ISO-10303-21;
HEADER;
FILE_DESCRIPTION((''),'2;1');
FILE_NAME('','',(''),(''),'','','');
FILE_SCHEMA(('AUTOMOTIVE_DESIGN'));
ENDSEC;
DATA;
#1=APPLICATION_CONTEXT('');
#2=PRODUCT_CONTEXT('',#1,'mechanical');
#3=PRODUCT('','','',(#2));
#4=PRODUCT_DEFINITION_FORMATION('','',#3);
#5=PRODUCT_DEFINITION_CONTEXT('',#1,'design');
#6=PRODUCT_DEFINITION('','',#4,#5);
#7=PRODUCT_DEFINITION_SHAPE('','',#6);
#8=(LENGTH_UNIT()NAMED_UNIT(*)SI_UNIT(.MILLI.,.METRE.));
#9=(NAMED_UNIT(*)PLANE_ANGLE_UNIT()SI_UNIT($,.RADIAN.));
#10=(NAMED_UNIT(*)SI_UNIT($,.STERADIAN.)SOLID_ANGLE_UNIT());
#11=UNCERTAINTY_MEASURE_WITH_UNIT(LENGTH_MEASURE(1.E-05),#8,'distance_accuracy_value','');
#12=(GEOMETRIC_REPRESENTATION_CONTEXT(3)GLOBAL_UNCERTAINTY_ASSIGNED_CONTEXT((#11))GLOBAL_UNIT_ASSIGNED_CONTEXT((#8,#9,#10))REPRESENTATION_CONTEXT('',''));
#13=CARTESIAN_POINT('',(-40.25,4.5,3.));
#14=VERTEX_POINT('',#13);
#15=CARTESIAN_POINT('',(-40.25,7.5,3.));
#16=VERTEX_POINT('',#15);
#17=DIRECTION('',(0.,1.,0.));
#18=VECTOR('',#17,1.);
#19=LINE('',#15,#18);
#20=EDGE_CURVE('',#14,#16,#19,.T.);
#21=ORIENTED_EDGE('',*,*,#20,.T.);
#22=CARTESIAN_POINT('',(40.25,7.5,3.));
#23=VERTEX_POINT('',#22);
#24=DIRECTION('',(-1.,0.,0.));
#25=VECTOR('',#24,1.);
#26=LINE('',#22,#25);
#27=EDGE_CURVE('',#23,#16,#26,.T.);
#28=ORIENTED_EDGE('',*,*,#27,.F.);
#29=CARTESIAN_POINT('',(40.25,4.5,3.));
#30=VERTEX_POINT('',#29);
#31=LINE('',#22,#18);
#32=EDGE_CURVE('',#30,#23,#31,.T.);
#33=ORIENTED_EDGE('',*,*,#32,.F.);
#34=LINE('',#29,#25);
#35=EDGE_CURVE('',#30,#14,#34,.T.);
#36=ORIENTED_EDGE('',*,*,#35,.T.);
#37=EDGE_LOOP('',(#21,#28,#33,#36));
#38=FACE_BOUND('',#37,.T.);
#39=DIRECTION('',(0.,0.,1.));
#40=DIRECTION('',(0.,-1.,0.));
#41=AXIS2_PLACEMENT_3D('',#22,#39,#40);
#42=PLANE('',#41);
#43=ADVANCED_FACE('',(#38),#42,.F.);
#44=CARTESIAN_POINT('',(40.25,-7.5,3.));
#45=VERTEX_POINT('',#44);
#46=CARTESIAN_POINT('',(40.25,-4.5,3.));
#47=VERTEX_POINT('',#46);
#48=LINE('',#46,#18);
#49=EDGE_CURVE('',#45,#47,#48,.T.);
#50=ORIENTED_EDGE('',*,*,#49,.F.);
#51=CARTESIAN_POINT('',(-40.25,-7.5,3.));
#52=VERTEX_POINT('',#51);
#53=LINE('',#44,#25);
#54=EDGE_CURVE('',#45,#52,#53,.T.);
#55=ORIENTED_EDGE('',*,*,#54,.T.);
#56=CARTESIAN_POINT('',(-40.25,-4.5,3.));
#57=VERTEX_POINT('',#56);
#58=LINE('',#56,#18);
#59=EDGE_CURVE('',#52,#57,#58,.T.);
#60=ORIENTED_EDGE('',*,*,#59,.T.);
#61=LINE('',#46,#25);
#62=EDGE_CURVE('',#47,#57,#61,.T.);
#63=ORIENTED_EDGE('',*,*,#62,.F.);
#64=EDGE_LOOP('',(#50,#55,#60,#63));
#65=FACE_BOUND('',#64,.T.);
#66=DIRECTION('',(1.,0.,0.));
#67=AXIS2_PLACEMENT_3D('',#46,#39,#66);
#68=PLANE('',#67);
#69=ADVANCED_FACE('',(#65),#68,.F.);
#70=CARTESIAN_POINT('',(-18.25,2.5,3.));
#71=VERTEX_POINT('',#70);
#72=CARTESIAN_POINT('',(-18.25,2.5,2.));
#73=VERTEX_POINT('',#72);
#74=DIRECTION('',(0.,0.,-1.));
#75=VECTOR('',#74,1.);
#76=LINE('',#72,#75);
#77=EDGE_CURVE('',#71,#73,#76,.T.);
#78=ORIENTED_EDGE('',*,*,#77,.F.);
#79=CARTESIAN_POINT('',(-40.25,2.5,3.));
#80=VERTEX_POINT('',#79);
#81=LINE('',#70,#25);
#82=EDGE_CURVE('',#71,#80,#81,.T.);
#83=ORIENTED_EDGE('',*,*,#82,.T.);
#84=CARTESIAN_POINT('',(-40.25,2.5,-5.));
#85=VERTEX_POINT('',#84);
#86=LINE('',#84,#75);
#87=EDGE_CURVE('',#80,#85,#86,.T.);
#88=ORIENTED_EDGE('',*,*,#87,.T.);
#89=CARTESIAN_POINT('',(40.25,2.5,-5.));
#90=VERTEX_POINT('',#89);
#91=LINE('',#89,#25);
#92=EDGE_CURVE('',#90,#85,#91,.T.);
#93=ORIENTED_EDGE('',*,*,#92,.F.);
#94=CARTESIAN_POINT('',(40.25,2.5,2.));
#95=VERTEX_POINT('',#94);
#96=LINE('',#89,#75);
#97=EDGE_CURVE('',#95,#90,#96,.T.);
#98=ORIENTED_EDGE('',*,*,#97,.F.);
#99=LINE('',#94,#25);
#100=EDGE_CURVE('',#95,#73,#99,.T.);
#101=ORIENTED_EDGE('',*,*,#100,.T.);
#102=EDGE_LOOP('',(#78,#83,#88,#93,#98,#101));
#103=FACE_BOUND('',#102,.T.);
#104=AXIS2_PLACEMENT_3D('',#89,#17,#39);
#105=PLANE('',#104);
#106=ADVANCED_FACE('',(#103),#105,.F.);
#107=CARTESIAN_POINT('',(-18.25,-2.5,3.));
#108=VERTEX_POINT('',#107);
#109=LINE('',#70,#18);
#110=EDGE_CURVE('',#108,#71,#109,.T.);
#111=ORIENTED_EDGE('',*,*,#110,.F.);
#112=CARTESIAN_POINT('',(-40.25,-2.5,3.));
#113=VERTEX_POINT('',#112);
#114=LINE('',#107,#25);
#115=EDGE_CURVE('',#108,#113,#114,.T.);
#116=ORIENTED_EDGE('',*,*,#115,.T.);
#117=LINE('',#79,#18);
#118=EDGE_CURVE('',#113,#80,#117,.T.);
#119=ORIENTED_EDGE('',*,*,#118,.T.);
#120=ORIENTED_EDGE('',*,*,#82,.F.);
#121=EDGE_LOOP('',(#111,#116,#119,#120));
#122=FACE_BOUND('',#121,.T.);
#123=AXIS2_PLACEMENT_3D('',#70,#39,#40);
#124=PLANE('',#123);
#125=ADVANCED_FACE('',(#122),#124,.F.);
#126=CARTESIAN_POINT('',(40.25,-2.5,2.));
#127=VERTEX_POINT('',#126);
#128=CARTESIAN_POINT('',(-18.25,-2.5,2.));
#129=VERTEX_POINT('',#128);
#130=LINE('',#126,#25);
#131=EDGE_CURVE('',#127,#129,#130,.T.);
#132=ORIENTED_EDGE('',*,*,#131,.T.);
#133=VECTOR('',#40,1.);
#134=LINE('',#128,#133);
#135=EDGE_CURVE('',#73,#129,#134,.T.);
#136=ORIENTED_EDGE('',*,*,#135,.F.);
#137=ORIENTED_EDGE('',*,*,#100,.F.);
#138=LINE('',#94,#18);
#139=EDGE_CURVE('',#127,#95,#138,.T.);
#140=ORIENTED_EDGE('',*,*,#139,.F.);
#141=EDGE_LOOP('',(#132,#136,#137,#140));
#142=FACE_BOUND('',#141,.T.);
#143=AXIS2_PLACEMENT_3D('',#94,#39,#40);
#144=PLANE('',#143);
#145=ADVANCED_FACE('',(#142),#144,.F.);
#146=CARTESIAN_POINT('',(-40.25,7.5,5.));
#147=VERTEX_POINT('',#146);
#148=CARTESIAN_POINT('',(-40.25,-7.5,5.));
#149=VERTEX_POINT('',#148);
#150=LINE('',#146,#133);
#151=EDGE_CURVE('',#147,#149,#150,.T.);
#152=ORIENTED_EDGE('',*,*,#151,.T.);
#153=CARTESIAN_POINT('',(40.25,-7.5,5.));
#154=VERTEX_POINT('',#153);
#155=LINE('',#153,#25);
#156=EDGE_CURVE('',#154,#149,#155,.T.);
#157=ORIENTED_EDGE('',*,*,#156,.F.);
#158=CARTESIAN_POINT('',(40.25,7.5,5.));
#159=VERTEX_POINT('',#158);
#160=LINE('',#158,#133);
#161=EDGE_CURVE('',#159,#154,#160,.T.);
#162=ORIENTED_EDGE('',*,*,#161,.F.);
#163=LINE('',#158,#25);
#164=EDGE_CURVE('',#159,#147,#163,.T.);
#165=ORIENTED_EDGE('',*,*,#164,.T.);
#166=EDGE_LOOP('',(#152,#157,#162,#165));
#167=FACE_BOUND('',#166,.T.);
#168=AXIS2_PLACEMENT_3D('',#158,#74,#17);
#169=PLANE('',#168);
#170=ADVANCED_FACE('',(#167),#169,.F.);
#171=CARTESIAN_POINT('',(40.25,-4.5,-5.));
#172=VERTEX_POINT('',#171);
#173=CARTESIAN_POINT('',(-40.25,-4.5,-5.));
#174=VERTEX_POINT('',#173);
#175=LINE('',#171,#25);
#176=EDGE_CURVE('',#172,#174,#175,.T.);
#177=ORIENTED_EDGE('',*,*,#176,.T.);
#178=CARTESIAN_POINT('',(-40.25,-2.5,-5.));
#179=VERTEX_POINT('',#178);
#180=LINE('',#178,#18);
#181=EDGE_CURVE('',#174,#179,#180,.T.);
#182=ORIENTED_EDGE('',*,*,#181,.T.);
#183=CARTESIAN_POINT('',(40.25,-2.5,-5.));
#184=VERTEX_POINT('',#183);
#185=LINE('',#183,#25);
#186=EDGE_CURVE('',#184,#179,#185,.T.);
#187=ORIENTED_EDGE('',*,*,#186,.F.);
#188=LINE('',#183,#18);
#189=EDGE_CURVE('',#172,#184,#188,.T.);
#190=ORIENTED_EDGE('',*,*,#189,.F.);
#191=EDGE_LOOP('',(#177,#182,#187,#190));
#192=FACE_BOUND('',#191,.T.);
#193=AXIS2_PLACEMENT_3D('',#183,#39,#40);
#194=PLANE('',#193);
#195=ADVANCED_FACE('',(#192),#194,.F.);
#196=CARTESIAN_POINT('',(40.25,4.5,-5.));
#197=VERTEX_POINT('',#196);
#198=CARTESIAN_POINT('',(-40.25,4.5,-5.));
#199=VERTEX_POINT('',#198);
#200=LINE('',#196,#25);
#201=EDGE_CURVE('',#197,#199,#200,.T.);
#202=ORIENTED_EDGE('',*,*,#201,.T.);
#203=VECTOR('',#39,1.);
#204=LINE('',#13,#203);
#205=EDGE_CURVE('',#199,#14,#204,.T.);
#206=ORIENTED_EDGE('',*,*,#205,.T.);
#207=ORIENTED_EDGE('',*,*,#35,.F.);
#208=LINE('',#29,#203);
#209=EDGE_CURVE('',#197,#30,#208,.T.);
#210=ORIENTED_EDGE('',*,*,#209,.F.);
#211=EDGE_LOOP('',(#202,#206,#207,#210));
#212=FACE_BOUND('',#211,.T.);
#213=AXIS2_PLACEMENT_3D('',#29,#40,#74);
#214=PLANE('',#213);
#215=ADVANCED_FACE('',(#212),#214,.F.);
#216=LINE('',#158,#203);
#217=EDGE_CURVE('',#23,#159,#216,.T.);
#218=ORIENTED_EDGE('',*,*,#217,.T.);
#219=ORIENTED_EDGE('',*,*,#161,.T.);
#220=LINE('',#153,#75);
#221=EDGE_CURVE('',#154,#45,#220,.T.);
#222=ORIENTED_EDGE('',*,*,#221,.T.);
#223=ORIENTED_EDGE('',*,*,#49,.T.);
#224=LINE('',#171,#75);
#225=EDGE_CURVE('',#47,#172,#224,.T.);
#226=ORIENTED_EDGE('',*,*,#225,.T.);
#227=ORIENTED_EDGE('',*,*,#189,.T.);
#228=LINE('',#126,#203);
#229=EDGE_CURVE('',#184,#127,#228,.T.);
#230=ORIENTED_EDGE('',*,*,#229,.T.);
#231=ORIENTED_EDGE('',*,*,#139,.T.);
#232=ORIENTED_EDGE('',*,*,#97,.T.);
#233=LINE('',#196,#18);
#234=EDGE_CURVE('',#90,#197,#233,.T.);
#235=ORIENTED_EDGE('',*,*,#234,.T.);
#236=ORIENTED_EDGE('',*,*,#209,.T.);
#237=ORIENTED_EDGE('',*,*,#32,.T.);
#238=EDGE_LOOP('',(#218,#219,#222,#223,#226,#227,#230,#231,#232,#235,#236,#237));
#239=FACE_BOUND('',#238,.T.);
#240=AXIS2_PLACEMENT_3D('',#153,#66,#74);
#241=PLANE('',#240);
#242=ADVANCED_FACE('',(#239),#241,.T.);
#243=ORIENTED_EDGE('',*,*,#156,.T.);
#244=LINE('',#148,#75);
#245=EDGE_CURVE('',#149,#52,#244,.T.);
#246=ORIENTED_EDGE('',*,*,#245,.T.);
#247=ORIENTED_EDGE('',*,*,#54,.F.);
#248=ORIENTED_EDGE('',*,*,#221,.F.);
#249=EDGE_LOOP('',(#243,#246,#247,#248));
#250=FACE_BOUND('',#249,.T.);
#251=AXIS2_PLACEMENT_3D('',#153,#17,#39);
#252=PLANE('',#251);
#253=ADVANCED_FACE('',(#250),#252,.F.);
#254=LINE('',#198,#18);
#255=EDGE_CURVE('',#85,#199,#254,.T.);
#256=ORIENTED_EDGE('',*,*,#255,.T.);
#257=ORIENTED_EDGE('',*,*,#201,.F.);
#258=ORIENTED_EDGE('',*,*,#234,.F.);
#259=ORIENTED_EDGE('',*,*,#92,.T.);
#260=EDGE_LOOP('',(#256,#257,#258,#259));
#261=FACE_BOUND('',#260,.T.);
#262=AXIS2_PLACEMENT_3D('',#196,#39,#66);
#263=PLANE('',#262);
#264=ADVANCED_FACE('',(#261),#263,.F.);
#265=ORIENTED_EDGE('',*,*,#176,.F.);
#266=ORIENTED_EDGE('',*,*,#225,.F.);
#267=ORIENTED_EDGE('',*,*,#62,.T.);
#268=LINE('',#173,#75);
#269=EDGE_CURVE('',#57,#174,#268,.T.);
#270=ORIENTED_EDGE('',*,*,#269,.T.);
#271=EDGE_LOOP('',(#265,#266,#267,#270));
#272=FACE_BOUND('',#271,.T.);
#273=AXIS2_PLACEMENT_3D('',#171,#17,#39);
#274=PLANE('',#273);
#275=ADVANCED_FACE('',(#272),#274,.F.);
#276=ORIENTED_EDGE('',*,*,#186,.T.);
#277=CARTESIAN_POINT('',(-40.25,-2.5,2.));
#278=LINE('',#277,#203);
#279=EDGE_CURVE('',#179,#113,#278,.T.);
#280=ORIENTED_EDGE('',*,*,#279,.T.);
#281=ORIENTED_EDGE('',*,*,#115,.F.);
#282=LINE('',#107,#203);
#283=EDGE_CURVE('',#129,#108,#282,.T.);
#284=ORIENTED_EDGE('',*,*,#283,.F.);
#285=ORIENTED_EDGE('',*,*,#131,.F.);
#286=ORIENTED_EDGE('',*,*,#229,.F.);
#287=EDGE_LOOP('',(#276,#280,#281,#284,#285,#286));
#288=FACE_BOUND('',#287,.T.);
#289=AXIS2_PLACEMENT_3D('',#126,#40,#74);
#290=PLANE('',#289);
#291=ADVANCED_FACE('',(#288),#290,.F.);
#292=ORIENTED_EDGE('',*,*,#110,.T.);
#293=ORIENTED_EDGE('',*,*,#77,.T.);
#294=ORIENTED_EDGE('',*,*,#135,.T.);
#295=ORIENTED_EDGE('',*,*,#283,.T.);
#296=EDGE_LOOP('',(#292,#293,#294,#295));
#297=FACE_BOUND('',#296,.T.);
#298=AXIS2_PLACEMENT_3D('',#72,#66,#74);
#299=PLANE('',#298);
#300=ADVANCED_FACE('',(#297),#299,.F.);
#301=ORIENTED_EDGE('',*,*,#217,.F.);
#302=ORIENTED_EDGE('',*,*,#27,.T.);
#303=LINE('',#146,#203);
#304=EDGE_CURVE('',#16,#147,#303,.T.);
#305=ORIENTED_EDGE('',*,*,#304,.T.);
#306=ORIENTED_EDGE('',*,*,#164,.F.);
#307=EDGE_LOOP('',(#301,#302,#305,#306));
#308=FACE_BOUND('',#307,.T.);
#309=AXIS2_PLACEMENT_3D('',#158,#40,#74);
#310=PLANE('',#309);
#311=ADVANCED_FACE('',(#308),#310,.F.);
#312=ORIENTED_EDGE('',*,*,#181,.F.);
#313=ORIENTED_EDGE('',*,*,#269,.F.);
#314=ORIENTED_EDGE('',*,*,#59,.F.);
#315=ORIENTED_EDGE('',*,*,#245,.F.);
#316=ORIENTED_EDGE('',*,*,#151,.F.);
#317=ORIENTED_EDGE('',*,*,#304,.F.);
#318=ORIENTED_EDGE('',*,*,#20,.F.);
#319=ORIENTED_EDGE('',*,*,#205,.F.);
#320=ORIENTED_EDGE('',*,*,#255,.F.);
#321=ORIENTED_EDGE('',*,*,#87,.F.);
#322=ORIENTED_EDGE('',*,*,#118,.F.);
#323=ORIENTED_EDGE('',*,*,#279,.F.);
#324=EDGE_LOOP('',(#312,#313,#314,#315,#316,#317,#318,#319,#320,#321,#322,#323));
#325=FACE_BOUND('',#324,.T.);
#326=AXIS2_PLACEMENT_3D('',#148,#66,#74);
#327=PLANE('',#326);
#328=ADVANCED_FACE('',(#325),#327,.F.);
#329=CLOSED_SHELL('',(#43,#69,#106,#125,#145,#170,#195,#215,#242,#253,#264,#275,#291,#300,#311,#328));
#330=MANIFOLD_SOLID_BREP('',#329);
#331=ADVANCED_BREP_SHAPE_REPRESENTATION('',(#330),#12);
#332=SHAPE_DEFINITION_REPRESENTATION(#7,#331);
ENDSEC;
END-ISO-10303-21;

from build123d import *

# Parameters (mm, degrees)
EXTRUDE1_DEPTH = 40.25
SKETCH2_W      = 1
SKETCH2_H      = 5
EXTRUDE2_DEPTH = 22


with BuildPart() as part:
    # Sketch1 → Extrude1 (new body, symmetric)
    with BuildSketch(Plane(origin=(0, 0, 0), x_dir=(0, 0, -1), z_dir=(1, 0, 0))):
        Polygon((-3, 7.5), (-3, 4.5), (5, 4.5), (5, 2.5), (-2, 2.5), (-2, -2.5), (5, -2.5), (5, -4.5), (-3, -4.5), (-3, -7.5), (-5, -7.5), (-5, 7.5), align=None)
    extrude(amount=EXTRUDE1_DEPTH, both=True)

    # Sketch2 → Extrude2 (cut)
    with BuildSketch(Plane.ZY.offset(40.25)):
        with Locations((2.5, 0)):
            Rectangle(SKETCH2_W, SKETCH2_H)
    extrude(amount=-EXTRUDE2_DEPTH, mode=Mode.SUBTRACT)


solid = part.part
